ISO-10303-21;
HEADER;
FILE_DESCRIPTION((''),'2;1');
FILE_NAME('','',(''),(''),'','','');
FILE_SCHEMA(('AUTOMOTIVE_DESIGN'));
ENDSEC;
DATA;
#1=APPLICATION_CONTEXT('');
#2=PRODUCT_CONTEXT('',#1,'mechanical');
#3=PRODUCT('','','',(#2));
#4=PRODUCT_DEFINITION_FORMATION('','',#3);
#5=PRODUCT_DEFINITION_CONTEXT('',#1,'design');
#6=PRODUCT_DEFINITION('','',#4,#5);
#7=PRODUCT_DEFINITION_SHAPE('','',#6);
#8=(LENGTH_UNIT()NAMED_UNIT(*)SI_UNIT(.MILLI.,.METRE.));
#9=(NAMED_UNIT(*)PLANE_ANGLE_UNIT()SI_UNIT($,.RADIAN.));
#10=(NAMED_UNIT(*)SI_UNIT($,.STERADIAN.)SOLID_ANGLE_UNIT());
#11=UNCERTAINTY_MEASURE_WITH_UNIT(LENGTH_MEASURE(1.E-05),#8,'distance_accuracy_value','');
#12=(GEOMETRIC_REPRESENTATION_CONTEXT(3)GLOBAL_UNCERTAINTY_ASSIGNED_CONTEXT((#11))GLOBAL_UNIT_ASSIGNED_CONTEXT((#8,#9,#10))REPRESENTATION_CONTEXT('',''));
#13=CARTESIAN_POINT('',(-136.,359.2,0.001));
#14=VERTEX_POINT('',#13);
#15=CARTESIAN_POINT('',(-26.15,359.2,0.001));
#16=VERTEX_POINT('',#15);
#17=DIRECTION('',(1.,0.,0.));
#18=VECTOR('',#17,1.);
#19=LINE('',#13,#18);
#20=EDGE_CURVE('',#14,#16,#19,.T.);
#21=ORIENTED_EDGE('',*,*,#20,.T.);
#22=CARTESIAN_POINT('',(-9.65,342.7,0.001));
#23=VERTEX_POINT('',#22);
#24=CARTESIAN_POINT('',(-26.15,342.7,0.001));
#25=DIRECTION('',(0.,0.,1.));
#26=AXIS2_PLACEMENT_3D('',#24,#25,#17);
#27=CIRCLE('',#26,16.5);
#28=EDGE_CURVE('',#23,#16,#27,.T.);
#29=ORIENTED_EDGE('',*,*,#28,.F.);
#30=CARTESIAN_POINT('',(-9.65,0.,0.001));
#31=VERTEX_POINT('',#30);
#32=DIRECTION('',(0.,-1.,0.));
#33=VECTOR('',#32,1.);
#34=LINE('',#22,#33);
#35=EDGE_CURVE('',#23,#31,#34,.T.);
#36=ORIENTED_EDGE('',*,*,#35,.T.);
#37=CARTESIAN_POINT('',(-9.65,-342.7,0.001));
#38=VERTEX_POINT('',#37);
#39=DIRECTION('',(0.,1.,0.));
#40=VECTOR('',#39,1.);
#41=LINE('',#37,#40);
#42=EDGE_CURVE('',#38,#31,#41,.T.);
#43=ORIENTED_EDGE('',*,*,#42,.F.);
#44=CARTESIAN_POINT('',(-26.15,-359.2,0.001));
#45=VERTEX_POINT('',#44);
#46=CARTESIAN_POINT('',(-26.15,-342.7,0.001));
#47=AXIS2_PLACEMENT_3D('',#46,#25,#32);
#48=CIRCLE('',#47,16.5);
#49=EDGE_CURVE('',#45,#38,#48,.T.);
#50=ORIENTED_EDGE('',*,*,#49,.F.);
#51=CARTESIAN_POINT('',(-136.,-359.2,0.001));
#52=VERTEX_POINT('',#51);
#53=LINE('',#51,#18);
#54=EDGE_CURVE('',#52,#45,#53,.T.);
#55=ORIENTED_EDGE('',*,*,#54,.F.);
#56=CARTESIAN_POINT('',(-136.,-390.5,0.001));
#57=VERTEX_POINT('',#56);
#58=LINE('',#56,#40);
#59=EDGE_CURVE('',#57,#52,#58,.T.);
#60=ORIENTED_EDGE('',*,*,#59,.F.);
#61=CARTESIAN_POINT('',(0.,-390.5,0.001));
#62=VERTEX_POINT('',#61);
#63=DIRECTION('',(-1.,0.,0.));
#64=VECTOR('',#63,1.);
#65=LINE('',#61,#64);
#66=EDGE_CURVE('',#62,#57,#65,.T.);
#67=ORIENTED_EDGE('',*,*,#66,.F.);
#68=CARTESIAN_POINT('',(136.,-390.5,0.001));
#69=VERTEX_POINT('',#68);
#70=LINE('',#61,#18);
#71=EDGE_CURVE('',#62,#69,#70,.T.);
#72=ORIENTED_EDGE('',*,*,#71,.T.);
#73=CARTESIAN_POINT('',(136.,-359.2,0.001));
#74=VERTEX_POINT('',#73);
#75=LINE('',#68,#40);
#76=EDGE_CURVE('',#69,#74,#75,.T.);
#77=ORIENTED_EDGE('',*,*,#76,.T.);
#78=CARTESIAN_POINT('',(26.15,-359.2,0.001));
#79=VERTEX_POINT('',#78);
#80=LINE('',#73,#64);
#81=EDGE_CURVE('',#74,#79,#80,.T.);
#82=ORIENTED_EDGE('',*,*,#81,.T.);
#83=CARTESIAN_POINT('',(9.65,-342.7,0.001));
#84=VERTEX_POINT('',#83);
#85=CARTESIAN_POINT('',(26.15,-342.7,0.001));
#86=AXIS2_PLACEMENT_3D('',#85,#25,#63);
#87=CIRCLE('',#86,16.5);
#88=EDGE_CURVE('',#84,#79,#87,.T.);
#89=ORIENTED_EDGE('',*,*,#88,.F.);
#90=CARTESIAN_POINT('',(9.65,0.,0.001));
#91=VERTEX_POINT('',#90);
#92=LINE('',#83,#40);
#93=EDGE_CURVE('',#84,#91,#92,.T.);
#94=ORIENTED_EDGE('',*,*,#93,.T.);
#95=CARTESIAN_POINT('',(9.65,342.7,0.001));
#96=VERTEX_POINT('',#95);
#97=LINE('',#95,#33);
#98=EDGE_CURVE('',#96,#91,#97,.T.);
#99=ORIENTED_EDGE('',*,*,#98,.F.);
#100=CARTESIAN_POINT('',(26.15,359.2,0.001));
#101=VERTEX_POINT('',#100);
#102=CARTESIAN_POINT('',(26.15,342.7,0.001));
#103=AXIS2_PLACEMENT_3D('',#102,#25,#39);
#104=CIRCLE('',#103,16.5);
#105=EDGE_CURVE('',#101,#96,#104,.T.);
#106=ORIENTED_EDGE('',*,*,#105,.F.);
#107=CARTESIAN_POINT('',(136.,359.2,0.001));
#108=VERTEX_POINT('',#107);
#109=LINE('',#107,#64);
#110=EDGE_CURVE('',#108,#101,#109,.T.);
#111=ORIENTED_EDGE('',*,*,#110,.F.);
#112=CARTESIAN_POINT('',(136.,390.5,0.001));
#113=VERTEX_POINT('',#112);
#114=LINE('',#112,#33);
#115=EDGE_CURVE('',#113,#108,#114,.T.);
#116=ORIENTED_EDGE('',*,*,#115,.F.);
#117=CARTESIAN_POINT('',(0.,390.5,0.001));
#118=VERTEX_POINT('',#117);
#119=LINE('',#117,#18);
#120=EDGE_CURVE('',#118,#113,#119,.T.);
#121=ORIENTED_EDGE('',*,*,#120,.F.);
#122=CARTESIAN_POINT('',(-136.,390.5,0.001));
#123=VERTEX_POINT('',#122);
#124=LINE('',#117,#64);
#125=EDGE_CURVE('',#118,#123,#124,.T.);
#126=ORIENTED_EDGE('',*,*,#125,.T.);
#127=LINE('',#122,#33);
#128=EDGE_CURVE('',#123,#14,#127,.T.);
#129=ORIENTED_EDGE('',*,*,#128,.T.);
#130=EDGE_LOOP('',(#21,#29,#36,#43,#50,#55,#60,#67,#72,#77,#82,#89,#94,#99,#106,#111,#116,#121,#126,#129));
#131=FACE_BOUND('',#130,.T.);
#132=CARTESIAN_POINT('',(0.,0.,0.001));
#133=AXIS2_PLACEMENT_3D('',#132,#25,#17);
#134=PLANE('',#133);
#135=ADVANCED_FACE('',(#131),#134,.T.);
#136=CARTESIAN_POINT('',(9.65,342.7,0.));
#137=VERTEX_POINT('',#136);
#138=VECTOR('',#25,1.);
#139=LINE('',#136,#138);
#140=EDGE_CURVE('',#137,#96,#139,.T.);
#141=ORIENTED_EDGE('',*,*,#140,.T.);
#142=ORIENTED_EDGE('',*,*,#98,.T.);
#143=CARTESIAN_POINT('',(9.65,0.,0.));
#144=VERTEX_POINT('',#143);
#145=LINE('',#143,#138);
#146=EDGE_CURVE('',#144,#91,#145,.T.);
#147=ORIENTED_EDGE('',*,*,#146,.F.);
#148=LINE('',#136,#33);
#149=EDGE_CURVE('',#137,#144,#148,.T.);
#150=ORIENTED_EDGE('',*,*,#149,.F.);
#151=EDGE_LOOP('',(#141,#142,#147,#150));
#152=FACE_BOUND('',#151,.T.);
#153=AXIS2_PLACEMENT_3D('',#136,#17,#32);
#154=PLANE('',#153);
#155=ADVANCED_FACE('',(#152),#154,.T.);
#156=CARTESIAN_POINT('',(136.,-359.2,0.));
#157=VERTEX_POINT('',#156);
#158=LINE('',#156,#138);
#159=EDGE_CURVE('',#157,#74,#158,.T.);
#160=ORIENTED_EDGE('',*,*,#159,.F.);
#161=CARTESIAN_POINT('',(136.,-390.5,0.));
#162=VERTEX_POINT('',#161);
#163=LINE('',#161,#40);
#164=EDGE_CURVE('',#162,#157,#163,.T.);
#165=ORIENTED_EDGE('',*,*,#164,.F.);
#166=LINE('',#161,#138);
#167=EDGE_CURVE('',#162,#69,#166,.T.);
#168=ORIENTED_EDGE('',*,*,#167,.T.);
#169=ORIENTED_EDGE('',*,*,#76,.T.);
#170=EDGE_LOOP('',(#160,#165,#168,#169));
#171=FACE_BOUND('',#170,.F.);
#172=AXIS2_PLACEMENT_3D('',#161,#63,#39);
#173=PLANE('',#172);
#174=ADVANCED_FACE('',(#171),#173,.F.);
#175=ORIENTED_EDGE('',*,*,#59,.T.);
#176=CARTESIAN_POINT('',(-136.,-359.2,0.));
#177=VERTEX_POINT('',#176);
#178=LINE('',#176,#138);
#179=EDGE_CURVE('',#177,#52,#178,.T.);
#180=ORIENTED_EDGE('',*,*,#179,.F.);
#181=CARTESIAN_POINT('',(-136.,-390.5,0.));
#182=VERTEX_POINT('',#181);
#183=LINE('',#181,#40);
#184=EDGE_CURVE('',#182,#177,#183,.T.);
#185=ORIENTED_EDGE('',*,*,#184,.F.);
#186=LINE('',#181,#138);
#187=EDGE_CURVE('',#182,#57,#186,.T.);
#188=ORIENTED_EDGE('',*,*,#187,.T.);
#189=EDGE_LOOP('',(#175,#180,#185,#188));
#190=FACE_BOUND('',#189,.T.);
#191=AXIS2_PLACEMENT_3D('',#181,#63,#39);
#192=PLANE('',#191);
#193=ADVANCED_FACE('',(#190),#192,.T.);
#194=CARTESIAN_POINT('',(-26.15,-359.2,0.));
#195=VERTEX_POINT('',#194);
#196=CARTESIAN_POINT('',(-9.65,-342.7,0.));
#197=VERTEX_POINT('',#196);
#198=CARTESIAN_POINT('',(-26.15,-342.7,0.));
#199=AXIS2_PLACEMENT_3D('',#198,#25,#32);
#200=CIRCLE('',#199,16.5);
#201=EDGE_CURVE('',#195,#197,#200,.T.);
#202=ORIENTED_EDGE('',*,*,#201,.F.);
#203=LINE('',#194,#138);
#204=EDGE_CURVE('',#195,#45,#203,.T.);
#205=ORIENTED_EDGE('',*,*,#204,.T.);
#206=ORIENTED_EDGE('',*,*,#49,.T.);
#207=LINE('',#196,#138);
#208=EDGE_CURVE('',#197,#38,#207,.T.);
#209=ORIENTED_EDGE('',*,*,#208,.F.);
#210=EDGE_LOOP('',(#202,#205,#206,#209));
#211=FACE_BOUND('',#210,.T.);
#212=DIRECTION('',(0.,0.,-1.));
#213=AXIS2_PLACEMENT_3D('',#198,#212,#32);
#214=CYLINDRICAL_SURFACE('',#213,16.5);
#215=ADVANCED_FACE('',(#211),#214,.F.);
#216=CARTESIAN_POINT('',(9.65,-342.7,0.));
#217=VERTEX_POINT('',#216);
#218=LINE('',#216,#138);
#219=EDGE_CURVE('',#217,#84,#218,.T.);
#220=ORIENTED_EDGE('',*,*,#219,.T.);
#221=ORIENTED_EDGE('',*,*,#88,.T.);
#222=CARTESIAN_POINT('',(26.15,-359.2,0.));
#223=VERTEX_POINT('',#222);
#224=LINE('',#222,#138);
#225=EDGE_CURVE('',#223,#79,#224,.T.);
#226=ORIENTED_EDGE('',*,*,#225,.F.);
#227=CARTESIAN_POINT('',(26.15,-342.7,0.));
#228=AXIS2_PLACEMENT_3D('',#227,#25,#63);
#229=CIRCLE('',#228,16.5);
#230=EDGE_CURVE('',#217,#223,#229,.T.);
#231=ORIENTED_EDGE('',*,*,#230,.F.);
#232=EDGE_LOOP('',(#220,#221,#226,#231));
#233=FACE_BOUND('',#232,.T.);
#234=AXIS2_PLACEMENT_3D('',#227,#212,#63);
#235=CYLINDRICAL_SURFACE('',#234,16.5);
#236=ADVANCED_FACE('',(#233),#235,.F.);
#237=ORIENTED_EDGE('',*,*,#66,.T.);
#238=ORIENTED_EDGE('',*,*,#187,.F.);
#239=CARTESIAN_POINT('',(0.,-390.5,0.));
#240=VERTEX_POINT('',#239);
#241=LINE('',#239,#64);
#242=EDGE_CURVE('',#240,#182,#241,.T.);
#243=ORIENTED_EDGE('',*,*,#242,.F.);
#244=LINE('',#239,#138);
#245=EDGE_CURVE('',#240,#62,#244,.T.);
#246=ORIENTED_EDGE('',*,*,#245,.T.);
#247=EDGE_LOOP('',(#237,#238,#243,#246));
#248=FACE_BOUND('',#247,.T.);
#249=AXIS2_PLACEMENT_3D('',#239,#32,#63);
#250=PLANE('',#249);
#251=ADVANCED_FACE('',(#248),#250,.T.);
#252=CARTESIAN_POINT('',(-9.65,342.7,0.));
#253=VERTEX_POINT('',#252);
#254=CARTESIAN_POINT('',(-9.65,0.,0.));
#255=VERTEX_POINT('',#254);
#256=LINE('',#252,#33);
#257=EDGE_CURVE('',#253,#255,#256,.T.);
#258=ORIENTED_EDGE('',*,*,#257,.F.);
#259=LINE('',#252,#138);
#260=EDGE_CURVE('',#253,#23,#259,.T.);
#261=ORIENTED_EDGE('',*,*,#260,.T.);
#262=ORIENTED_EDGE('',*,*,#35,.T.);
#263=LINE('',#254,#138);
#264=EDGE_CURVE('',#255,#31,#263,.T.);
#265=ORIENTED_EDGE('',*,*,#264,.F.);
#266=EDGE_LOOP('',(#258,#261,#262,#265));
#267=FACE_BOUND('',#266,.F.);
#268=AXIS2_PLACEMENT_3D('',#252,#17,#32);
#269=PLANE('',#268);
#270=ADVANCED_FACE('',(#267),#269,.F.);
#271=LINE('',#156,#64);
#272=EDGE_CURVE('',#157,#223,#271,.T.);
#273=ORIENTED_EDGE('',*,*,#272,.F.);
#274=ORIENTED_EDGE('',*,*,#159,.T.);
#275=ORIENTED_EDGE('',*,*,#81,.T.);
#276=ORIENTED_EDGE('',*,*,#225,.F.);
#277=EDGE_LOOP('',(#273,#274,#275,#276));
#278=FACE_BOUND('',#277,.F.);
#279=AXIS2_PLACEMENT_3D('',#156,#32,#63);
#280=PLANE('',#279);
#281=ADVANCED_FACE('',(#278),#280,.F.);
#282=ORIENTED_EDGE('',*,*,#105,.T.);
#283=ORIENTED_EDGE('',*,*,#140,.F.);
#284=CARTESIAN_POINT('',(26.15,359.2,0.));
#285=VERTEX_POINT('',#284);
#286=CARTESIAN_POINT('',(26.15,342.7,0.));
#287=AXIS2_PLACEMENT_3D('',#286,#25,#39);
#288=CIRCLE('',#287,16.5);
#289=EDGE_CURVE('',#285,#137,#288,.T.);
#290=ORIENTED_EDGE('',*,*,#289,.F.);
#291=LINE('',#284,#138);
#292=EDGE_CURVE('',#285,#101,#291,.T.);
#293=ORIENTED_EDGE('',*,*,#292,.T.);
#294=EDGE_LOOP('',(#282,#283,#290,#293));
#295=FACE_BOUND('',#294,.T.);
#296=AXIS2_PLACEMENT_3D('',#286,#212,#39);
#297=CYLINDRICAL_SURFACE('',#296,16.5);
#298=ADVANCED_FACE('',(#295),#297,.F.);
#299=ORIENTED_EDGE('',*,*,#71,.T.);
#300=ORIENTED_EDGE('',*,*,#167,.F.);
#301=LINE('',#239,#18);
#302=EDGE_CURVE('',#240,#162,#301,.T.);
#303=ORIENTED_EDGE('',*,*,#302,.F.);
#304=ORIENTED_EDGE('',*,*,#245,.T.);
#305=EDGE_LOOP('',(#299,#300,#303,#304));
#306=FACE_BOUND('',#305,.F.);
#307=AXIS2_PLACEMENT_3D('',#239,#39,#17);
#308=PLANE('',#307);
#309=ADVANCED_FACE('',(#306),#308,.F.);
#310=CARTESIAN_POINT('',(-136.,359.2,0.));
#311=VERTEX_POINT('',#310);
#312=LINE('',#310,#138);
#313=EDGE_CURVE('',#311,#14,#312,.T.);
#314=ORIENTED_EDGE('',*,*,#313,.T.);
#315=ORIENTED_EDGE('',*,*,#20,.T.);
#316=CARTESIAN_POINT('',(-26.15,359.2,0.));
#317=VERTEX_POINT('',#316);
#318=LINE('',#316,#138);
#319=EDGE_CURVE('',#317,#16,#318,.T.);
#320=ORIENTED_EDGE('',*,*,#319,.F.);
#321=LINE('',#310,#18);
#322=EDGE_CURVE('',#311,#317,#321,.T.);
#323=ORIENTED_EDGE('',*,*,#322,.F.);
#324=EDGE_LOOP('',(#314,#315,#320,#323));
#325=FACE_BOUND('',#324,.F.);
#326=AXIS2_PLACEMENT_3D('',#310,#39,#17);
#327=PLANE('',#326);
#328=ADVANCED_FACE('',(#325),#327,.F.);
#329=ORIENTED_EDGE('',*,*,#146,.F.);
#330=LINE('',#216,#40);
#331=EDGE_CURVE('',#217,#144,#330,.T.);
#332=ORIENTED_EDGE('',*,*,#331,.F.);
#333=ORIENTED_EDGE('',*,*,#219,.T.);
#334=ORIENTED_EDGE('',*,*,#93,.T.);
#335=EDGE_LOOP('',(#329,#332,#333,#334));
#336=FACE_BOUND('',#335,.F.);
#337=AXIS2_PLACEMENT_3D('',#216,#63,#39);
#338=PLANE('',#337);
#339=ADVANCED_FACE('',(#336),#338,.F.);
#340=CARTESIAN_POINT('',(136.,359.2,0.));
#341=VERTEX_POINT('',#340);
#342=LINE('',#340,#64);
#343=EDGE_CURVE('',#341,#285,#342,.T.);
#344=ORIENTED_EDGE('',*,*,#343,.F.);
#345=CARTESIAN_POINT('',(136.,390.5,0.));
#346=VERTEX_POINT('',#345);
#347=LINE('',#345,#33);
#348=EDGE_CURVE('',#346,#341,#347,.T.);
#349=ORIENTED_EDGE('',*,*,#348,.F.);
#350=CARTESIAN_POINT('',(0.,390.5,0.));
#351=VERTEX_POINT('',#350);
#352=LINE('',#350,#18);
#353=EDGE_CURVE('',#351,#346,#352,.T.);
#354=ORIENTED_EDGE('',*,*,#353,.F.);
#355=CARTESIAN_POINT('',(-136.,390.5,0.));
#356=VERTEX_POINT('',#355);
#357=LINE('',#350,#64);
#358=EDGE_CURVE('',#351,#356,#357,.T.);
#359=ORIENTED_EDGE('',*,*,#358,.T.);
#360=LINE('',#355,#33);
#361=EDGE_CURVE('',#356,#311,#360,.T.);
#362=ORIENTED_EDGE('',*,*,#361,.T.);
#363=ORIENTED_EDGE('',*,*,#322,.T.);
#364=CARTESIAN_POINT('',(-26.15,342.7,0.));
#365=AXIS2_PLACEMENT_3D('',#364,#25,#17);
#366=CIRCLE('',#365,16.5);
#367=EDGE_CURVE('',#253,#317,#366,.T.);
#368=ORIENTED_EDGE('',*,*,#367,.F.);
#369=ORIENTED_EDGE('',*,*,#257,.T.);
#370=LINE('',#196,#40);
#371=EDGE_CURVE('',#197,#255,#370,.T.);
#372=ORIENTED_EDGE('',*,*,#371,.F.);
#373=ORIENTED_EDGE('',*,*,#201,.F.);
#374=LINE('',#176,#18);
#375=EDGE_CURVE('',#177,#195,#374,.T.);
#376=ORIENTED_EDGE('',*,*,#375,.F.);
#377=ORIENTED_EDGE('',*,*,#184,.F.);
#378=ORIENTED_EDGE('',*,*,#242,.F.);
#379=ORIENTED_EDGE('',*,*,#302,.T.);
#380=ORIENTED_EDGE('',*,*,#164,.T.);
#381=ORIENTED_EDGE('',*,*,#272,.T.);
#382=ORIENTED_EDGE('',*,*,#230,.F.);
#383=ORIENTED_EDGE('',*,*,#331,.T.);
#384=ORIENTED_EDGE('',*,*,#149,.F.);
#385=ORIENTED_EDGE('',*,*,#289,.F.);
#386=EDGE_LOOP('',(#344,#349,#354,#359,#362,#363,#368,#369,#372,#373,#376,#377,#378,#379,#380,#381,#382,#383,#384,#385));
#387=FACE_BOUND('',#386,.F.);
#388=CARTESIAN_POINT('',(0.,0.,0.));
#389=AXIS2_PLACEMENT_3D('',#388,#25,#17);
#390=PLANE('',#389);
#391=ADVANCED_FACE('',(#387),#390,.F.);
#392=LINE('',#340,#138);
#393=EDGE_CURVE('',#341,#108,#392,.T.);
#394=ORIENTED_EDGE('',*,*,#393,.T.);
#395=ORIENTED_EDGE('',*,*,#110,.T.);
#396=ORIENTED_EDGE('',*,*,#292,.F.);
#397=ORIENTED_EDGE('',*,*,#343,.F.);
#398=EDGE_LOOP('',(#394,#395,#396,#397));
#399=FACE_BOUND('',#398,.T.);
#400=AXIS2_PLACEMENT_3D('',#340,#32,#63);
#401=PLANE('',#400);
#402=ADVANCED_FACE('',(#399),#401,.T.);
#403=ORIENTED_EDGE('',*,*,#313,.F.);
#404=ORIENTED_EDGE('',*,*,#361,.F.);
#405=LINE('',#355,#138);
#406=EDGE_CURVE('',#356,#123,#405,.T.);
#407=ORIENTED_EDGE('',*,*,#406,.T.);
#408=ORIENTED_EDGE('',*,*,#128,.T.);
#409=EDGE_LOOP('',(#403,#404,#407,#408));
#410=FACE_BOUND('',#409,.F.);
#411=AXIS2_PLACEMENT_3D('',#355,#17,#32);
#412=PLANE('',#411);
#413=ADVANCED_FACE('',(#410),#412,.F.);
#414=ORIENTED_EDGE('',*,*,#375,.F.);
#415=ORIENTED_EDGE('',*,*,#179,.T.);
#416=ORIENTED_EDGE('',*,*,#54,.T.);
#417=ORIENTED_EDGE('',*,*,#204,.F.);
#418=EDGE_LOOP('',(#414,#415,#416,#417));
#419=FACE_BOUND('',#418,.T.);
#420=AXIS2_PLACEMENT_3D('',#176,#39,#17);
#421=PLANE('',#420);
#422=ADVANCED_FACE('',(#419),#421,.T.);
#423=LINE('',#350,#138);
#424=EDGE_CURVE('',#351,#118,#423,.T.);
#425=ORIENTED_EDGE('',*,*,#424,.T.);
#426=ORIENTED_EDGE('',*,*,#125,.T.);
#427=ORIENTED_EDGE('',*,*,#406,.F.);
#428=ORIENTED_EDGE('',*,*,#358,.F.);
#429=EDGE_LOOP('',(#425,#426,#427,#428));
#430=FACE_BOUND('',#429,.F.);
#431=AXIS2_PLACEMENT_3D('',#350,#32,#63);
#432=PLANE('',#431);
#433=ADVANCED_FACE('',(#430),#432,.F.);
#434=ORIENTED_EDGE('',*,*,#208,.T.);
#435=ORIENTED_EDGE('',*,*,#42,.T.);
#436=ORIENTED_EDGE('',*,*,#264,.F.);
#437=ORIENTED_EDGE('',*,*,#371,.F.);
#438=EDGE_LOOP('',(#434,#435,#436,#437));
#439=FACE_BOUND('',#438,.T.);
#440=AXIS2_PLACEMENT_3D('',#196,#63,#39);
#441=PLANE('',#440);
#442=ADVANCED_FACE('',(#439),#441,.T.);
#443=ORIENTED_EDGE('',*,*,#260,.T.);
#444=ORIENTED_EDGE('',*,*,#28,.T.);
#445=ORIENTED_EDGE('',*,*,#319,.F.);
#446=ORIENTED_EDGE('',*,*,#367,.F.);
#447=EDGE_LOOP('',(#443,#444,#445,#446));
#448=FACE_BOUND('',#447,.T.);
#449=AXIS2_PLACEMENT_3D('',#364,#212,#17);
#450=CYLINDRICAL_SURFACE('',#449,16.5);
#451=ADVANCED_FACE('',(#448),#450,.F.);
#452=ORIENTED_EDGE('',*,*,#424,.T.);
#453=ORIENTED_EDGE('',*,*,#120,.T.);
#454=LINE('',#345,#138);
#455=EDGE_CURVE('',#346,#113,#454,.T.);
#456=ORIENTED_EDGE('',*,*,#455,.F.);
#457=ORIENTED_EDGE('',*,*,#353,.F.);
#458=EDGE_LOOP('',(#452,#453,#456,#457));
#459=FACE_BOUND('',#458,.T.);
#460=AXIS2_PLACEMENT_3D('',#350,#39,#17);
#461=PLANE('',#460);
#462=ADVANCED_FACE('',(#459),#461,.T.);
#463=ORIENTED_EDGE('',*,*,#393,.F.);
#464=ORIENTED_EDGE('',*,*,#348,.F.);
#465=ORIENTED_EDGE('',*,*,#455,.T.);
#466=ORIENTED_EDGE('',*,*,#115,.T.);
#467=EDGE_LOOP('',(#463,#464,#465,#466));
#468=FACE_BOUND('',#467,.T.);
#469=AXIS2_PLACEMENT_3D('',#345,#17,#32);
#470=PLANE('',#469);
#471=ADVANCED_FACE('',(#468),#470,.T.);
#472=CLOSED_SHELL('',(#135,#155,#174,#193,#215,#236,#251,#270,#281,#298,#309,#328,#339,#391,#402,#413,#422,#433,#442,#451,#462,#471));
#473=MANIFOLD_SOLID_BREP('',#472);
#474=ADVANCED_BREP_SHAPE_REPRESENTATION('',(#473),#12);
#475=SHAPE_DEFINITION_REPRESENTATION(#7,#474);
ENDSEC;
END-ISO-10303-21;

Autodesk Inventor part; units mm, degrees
ref_plane "YZ Plane" through (0, 0, 0) normal (1, 0, 0) x (0, 1, 0)
ref_plane "Start plane" through (0, 0, 0) normal (0, 0, 1) x (1, 0, 0)
ref_plane "End plane" through (0, 0, 0.001) normal (0, 0, 1) x (1, 0, 0)
sketch "Sketch" plane through (0, 0, 0) normal (0, 0, 1) x (1, 0, 0)
  line L0 (-136, -390.5) -> (-136, -359.2)
  line L1 (-136, -359.2) -> (-26.15, -359.2)
  line L2 (-9.65, -342.7) -> (-9.65, 0)
  line L3 (-9.65, 0) -> (0, 0) construction
  line L4 (0, 0) -> (0, -390.5) construction
  line L5 (0, -390.5) -> (-136, -390.5)
  line L6 (-60, 0) -> (80, 0) construction
  line L7 (0, -60) -> (0, 80) construction
  line L8 (136, -390.5) -> (136, -359.2)
  line L9 (136, -359.2) -> (26.15, -359.2)
  line L10 (9.65, -342.7) -> (9.65, 0)
  line L11 (9.65, 0) -> (0, 0) construction
  line L12 (0, -390.5) -> (136, -390.5)
  line L13 (-136, 390.5) -> (-136, 359.2)
  line L14 (-136, 359.2) -> (-26.15, 359.2)
  line L15 (-9.65, 342.7) -> (-9.65, 0)
  line L16 (0, 390.5) -> (-136, 390.5)
  line L17 (136, 390.5) -> (136, 359.2)
  line L18 (136, 359.2) -> (26.15, 359.2)
  line L19 (0, 390.5) -> (136, 390.5)
  line L20 (9.65, 342.7) -> (9.65, 0)
  arc A0 (-9.65, 342.7) -> (-26.15, 359.2) centre (-26.15, 342.7) ccw
  arc A1 (26.15, 359.2) -> (9.65, 342.7) centre (26.15, 342.7) ccw
  arc A2 (9.65, -342.7) -> (26.15, -359.2) centre (26.15, -342.7) ccw
  arc A3 (-26.15, -359.2) -> (-9.65, -342.7) centre (-26.15, -342.7) ccw
  line L21 (0, 108) -> (0, -88) construction
  line L22 (-88, 0) -> (108, 0) construction
  point P0 (-9.65, -359.2)
  point P1 (9.65, -359.2)
  point P2 (-9.65, 359.2)
  point P3 (9.65, 359.2)
  dimension "d1" = 390.5
  dimension "d2" = 31.3
  dimension "d3" = 136
  dimension "d4" = 9.65
  dimension "d10" = 16.5
extrude "Body" add sketch "Sketch" along normal up to surface (0.001 mm away) from surface at 0
sketch "Sketch4" plane through (0, 0, 0) normal (0, 0, 1) x (1, 0, 0)
  line L0 (0, 0) -> (10, 0)
ref_plane "Work Plane3" through (0, 0, 0) normal (0, -1, 0) x (1, 0, 0)
sketch "Sketch5" plane through (0, 0, 0) normal (0, -1, 0) x (1, 0, 0)
  line L0 (-2, 0) -> (12, 0) projected
  line L1 (-2, 0.001) -> (12, 0.001) projected
  dimension "d14" = 0.001
equation "\"d1\" = 0.5 * G_H"
equation "\"d2\" = G_T1"
equation "\"d3\" = 0.5 * G_W"
equation "\"d4\" = 0.5 * G_T"
equation "\"d10\" = G_IR"
equation "\"d5\" = G_L"
equation "\"G_W\" = 272"
equation "\"G_H\" = 781"
equation "\"G_T\" = 19.3"
equation "\"G_T1\" = 31.3"
equation "\"G_IR\" = 16.5"
equation "\"G_L\" = d14"
equation "\"G_OFFSET_START\" = 0"
equation "\"G_OFFSET_END\" = 0"
equation "\"d12\" = G_OFFSET_END + B_L"
equation "\"B_L\" = 0.001"
properties part number "AS 3679-1990 - 760 UB - 244 - 0.001" material "Steel, Mild"
